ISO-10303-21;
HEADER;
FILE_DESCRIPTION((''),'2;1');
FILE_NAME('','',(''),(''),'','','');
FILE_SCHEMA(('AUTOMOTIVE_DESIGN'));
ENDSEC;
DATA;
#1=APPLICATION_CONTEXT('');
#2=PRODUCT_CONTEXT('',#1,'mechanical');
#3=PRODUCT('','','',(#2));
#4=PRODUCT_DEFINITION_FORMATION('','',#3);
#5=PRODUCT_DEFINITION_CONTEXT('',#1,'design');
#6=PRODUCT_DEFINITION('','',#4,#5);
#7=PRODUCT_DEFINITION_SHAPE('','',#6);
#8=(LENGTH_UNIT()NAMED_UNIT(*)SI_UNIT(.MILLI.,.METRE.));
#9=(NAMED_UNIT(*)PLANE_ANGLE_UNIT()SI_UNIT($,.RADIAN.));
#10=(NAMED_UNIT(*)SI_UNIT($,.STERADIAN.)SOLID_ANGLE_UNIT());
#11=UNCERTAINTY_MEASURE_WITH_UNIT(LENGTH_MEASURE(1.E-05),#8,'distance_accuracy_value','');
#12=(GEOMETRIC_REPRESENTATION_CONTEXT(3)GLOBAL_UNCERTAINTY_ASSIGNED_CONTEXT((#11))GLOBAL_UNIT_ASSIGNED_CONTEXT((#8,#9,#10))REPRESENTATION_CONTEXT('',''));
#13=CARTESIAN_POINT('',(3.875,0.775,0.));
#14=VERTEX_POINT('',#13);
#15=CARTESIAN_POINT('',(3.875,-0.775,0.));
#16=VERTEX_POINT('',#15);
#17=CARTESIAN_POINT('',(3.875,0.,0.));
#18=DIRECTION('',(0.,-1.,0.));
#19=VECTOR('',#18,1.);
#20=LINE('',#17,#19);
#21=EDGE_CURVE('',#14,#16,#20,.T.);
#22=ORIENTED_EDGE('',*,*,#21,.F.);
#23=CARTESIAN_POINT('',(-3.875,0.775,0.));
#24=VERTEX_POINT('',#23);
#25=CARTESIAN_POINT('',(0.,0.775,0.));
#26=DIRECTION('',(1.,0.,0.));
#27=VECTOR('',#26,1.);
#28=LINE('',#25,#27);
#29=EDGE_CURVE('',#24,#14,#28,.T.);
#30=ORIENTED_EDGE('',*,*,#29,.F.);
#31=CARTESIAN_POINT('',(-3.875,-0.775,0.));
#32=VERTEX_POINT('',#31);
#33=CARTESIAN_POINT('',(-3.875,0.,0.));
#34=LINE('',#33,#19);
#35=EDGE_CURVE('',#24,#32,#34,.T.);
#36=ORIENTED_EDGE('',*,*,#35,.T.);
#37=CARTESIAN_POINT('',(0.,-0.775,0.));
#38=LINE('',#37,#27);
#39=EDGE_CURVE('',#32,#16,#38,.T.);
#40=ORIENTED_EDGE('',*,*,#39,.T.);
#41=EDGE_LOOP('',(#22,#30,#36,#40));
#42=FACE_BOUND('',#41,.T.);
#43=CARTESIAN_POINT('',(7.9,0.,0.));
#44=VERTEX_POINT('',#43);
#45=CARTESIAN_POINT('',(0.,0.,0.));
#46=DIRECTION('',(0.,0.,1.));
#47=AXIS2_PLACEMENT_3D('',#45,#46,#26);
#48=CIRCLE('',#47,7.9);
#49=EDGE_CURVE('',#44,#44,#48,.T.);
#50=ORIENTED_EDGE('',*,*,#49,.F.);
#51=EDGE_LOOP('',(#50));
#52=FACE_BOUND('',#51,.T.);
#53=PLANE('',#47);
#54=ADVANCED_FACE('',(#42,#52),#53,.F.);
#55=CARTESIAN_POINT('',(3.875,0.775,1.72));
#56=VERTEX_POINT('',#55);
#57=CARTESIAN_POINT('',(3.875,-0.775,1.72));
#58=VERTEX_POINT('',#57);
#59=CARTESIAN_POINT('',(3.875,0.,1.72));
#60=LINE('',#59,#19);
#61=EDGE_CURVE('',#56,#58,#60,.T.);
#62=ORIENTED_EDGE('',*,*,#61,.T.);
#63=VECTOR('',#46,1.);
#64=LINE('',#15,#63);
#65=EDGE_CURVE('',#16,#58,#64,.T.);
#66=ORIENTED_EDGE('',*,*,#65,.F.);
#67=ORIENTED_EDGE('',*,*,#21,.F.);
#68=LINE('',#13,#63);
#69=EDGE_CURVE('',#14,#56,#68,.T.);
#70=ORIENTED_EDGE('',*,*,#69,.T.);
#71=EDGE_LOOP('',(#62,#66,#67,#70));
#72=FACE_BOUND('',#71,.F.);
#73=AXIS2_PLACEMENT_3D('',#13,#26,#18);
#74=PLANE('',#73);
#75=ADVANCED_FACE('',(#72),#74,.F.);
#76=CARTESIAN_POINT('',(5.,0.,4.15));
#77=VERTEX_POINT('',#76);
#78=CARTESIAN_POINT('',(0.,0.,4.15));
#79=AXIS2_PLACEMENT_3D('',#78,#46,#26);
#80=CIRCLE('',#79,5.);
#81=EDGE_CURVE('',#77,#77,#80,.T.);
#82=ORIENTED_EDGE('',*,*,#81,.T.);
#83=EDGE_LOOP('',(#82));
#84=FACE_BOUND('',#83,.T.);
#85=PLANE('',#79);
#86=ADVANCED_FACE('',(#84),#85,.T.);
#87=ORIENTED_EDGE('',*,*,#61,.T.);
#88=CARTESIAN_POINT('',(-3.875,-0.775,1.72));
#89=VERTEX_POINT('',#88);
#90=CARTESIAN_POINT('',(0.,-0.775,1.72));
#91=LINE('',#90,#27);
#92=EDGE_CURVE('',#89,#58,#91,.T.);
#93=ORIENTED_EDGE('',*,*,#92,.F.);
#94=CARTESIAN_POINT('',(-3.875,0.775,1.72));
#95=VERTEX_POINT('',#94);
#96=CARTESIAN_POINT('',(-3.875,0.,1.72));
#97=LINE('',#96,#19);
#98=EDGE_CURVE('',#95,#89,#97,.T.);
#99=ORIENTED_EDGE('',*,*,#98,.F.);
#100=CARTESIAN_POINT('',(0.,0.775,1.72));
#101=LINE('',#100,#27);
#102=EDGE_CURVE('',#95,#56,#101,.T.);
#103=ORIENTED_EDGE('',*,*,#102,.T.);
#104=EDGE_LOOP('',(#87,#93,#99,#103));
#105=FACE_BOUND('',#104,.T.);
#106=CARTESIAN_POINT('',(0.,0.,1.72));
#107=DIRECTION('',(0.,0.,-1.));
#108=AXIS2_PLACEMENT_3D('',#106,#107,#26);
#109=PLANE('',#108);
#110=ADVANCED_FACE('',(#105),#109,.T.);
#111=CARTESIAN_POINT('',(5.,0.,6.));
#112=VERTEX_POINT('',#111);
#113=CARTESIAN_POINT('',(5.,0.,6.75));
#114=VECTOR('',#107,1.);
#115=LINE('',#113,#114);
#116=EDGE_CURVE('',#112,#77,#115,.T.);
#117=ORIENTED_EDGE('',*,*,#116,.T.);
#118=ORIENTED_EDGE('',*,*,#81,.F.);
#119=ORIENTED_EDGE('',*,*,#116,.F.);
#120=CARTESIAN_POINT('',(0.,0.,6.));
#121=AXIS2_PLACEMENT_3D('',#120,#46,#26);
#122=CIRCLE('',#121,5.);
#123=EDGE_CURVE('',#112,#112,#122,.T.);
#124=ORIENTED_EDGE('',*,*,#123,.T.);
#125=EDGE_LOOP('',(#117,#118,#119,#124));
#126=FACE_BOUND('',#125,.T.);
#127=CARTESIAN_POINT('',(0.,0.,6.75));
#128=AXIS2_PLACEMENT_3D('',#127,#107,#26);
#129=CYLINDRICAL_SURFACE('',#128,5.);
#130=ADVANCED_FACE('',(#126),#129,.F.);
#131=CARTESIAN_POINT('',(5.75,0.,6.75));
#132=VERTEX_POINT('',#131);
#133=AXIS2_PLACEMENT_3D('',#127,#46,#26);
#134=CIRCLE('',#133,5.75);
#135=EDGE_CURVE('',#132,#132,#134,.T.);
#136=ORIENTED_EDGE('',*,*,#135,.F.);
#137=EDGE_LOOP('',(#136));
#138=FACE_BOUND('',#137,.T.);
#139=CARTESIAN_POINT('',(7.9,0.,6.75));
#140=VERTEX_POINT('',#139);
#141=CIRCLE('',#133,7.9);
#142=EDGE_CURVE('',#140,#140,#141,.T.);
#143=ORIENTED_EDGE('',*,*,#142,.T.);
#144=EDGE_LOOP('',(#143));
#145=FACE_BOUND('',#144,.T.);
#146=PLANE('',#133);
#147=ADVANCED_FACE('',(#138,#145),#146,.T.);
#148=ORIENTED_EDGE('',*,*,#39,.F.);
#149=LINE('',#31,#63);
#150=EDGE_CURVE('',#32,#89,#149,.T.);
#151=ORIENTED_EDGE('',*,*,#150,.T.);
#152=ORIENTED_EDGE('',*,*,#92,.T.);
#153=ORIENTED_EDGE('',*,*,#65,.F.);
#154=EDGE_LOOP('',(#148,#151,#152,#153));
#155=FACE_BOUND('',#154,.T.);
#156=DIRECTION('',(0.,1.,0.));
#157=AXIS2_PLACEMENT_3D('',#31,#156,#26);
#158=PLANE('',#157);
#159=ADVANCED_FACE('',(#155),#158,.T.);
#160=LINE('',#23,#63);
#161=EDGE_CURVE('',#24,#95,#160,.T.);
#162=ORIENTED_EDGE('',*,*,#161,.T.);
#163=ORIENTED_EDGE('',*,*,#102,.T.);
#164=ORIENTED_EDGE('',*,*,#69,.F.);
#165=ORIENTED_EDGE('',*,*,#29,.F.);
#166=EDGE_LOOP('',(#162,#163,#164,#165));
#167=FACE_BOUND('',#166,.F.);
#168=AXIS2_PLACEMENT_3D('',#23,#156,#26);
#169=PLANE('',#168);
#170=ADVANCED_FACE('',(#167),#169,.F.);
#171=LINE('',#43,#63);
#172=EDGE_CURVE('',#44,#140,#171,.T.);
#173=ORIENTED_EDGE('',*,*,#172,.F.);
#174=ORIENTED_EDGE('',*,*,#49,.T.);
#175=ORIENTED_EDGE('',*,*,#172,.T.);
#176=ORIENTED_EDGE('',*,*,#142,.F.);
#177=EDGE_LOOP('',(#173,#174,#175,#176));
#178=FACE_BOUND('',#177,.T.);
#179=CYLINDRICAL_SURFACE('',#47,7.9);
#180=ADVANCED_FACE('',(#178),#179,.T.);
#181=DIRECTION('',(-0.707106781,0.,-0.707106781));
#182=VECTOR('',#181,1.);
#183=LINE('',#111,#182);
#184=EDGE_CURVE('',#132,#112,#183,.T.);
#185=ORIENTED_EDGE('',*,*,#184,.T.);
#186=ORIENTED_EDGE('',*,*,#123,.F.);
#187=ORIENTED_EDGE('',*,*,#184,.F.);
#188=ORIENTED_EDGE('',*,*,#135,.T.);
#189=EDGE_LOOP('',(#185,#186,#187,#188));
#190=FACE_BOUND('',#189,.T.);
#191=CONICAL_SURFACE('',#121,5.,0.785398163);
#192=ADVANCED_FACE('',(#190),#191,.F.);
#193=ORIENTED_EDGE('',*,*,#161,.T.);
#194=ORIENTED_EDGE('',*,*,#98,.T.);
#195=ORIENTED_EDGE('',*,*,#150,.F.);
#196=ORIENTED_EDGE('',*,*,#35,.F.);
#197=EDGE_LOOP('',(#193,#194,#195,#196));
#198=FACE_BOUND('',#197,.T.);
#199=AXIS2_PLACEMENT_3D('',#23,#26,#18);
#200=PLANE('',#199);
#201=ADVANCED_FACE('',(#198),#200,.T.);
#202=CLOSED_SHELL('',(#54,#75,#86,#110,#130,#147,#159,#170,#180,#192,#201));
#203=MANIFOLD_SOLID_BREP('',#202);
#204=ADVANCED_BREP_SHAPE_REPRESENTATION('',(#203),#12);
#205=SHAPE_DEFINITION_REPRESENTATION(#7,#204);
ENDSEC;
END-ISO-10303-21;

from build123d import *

# Parameters (mm, degrees)
F2_W     = 7.75
F2_H     = 1.55
F3_DEPTH = 1.72
F4_SIZE  = 0.75


with BuildPart() as f1:
    # F0 (on Front) → F1 (revolve)
    with BuildSketch(Plane.XZ):
        Polygon((0, 4.15), (0, 0), (5, 0), (7.9, 0), (7.9, 4.15), (7.9, 6.75), (5, 6.75), (5, 4.15), align=None)
    revolve(axis=Axis((0, 0, 2.075), (0, 0, 1)))

    # F2 (on face) → F3 (cut)
    with BuildSketch(Plane(origin=(0, 0, 0), x_dir=(1, 0, 0), z_dir=(0, 0, -1))):
        Rectangle(F2_W, F2_H)
    extrude(amount=-F3_DEPTH, mode=Mode.SUBTRACT)

    # F4
    f4_edges = [f1.edges().sort_by_distance(p)[0] for p in [
        (-5, 0, 6.75),
    ]]
    chamfer(f4_edges, length=F4_SIZE)


solid = f1.part
